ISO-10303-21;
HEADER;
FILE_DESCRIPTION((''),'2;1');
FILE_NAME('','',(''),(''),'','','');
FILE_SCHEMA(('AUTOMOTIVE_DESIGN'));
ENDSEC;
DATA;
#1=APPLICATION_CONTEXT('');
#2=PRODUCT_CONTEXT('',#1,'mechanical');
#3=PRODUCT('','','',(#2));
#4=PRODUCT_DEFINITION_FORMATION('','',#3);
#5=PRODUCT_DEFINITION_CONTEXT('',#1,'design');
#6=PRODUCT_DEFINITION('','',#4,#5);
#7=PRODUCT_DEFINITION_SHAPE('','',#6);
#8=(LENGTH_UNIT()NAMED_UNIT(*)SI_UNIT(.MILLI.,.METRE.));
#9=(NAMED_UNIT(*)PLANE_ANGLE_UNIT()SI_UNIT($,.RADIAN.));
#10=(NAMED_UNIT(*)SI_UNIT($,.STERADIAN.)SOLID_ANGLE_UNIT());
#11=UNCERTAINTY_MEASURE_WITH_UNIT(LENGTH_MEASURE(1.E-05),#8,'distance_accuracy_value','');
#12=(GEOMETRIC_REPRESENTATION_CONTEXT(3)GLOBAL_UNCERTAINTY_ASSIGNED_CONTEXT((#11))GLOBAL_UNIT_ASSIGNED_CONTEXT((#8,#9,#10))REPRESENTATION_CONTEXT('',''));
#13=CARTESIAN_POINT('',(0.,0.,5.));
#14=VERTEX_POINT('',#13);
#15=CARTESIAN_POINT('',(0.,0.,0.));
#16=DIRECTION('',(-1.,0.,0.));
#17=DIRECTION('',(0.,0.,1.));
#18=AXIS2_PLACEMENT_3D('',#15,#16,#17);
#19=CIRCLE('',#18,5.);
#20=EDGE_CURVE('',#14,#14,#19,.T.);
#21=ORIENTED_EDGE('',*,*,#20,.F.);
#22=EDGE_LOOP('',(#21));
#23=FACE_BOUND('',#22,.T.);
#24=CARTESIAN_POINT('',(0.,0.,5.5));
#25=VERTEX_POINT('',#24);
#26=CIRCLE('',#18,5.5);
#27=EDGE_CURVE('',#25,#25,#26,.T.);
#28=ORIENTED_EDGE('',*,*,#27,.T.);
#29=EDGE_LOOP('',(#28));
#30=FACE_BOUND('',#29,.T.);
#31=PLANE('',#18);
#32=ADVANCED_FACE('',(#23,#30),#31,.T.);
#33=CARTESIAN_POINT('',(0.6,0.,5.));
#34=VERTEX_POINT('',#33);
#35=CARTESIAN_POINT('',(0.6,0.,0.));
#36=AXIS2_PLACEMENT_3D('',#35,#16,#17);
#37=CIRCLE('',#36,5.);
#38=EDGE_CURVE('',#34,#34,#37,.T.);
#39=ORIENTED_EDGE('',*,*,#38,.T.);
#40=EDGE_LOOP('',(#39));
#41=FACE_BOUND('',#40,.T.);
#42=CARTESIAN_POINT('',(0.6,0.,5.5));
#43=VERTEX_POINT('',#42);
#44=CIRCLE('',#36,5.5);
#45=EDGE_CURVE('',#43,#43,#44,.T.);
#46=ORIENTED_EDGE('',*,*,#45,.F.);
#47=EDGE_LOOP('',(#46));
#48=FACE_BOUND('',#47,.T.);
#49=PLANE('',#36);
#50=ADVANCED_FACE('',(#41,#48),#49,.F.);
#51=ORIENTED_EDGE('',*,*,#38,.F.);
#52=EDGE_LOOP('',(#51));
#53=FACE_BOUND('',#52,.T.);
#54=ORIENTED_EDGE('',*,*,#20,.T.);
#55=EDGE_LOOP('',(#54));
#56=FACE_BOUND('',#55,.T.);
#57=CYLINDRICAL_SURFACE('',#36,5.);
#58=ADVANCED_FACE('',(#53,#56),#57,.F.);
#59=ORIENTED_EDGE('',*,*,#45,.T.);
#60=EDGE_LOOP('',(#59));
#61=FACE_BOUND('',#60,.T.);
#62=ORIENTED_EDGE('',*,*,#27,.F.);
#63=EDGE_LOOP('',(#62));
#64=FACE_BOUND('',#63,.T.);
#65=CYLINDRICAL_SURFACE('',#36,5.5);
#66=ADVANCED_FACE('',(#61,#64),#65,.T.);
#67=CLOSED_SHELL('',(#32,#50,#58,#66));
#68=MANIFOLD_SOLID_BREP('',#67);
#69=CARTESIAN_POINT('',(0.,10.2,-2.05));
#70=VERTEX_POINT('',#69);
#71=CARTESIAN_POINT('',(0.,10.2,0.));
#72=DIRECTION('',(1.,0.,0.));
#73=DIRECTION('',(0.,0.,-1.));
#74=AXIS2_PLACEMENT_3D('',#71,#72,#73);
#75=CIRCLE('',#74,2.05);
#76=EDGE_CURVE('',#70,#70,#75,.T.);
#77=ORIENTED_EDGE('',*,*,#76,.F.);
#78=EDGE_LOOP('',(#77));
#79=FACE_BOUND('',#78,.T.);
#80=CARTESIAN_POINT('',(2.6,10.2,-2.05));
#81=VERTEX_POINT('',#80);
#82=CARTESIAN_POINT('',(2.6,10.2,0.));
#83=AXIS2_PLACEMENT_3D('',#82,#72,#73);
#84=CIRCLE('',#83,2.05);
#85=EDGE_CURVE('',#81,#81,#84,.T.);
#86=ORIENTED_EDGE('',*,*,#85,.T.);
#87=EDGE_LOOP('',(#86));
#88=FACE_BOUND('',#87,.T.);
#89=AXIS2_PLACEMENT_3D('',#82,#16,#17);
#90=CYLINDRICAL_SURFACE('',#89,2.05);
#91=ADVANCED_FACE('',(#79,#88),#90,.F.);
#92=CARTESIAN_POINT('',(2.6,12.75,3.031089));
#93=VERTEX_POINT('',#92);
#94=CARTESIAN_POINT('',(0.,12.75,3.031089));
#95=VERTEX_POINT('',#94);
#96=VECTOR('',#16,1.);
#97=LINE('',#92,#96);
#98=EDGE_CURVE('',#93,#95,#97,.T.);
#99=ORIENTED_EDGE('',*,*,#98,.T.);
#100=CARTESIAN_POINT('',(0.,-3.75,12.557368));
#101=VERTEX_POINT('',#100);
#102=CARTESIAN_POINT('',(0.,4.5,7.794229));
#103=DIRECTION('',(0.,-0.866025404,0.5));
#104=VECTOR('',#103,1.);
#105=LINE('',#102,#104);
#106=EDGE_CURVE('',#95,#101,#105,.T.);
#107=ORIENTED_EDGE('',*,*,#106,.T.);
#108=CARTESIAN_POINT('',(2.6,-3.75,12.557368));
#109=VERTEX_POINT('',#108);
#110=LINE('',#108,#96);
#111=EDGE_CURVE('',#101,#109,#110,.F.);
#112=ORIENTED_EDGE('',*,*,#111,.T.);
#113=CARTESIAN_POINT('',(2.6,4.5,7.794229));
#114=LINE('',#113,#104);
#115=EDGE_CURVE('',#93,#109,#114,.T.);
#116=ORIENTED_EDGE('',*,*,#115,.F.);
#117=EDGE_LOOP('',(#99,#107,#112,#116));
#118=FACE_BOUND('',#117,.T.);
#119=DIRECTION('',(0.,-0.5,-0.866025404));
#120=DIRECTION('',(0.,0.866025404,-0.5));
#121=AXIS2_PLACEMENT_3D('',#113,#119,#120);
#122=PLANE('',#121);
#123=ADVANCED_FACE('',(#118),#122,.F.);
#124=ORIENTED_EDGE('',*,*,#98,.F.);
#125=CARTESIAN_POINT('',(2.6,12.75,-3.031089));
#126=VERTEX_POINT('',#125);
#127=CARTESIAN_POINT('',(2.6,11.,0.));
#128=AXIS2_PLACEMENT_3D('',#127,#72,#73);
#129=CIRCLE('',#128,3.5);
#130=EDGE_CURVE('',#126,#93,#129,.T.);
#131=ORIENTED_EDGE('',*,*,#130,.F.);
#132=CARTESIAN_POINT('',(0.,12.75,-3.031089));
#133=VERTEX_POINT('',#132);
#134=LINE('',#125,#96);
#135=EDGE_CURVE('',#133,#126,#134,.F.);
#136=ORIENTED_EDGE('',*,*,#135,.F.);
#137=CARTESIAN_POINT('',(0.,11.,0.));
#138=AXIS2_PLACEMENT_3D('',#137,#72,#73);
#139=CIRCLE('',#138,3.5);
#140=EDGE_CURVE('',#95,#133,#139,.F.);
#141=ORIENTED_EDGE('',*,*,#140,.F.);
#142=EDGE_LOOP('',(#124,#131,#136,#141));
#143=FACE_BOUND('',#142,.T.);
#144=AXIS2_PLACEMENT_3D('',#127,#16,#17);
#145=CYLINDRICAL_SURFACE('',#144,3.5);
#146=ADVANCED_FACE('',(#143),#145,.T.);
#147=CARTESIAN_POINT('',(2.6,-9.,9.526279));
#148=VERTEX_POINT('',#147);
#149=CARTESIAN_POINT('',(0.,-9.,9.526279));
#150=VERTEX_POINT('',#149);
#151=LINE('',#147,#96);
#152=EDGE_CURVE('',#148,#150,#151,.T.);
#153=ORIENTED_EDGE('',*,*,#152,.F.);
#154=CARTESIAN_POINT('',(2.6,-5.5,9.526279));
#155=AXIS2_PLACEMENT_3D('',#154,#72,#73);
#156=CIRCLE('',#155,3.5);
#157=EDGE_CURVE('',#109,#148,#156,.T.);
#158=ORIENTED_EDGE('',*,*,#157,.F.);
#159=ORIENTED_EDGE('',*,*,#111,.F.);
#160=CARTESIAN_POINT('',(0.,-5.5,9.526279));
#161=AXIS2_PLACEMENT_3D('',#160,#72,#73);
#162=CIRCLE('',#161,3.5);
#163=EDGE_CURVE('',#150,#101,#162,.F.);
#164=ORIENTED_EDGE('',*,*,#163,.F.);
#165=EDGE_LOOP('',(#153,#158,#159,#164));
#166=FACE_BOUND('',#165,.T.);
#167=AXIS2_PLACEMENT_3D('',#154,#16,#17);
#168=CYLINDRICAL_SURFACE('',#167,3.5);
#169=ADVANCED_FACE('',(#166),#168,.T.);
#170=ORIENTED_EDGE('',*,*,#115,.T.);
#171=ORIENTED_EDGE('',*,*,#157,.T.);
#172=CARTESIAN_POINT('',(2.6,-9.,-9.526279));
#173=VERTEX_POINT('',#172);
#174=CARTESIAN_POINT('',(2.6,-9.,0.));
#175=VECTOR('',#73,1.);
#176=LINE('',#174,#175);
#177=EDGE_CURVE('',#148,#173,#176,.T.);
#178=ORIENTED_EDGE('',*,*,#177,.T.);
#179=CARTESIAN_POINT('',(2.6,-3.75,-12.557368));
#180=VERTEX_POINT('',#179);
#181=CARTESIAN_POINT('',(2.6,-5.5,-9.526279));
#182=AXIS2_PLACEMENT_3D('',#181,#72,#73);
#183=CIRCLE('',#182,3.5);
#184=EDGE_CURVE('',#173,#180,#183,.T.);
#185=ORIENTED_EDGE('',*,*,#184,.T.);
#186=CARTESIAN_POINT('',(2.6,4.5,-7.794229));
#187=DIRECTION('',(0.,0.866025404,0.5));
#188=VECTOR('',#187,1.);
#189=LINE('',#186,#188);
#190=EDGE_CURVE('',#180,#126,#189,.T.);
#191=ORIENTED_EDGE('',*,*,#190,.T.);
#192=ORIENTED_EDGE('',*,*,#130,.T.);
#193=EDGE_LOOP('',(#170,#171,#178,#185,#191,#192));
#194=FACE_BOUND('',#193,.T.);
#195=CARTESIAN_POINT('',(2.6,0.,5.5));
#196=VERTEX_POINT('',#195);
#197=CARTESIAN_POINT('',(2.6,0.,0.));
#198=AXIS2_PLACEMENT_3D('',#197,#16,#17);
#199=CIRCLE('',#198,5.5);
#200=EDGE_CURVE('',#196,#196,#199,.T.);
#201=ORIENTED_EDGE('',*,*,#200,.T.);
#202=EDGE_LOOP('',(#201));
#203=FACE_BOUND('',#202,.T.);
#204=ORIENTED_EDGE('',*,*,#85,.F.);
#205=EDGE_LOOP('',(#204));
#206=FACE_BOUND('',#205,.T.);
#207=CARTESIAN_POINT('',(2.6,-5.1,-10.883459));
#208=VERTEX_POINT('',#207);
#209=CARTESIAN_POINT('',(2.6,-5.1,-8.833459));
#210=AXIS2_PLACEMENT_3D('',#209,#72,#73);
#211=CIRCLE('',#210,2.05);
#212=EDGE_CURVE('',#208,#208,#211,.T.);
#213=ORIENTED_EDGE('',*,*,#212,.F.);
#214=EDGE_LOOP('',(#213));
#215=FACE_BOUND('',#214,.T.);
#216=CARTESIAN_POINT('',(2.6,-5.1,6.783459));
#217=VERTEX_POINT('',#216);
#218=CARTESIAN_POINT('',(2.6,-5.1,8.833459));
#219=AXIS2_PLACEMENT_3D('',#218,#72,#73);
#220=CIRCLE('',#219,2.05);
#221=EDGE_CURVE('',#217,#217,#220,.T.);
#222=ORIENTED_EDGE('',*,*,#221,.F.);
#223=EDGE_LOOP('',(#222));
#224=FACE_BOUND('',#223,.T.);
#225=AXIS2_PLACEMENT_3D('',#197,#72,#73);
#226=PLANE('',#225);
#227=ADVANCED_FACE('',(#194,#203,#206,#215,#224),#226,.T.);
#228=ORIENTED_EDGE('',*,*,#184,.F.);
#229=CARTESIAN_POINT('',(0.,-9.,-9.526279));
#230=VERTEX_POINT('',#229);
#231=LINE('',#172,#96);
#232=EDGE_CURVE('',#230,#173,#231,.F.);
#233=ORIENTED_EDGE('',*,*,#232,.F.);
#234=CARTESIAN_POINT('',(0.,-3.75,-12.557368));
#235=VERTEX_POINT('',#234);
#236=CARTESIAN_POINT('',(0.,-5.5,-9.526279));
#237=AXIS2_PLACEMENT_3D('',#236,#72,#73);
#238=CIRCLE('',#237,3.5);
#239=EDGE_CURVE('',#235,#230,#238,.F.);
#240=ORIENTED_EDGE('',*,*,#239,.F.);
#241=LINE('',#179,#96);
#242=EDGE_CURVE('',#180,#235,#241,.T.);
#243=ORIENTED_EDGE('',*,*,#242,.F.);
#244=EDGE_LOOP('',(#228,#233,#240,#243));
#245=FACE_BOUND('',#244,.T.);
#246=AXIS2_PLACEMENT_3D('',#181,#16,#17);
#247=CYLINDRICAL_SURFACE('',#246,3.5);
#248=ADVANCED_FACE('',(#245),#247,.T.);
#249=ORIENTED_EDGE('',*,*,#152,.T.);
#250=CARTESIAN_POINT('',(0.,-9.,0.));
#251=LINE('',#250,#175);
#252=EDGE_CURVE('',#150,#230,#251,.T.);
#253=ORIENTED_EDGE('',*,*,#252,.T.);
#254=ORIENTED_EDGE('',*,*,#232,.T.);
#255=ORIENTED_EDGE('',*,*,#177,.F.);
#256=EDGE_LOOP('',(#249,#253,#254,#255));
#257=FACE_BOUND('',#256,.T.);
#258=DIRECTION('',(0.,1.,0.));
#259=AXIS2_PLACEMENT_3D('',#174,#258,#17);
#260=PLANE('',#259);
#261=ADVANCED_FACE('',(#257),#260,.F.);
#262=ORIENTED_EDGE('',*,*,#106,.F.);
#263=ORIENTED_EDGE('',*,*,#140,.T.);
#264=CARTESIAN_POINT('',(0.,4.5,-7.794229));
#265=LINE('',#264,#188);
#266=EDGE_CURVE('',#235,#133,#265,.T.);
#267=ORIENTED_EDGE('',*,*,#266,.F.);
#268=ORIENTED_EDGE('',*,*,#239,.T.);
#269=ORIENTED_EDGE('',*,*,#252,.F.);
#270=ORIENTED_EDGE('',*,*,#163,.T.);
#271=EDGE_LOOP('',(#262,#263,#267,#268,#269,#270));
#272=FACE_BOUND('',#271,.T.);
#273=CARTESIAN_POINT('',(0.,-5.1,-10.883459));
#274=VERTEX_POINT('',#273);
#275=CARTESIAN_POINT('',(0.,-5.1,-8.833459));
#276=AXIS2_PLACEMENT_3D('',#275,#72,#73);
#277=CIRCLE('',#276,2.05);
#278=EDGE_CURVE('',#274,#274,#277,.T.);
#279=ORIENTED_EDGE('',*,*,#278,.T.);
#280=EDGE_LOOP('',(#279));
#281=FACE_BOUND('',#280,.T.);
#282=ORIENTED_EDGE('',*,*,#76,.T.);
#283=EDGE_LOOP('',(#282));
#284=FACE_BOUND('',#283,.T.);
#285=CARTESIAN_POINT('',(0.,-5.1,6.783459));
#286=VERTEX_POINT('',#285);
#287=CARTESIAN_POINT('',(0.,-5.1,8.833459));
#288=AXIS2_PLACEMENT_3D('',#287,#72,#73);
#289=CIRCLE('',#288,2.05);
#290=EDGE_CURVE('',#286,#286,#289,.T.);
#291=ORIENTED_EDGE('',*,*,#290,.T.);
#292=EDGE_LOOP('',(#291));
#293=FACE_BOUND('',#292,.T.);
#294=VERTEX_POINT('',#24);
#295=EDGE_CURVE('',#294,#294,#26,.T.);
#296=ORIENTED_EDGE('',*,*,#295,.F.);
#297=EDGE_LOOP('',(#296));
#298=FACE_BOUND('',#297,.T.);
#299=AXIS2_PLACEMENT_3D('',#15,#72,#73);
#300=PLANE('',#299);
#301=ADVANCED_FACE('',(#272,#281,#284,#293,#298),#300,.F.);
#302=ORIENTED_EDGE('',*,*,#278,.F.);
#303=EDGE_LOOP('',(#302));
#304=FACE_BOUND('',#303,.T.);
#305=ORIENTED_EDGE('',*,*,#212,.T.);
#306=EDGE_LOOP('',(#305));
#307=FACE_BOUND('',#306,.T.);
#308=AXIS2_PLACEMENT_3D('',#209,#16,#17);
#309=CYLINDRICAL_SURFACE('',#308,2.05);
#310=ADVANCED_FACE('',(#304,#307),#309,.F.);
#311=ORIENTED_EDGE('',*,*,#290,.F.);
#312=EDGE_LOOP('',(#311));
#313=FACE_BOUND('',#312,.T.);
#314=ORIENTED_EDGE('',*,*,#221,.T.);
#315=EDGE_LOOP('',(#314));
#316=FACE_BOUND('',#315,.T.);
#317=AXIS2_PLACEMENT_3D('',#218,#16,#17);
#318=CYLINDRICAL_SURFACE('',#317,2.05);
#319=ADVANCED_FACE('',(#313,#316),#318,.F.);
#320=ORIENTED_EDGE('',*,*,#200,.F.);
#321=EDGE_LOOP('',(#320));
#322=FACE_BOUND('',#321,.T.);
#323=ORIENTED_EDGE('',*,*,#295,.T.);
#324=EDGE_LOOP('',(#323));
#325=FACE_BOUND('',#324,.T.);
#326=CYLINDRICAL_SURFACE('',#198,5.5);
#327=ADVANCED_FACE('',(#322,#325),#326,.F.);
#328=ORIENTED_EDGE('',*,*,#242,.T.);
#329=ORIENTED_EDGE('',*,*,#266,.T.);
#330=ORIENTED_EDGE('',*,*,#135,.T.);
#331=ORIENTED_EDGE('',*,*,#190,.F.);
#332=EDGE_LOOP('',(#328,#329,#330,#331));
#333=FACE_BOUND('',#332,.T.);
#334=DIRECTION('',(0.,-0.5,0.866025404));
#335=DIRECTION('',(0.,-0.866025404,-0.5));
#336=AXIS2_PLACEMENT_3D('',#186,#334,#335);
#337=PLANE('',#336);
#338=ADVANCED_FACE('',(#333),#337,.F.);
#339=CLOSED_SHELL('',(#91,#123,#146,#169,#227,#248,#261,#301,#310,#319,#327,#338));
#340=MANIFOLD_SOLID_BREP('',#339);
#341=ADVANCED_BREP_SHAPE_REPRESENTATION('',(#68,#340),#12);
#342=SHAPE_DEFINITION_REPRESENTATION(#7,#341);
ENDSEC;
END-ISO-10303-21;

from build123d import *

# Parameters (mm, degrees)
SKETCH_1_R          = 2.05
EXTRUDE_2_DEPTH     = 2.6
FILLET_1_R          = 3.5
SKETCH_4_R          = 5.5
CUT_EXTRUDE_1_DEPTH = 20.664535491
SKETCH_6_R          = 5.5
SKETCH_6_R_2        = 5
EXTRUDE_4_DEPTH     = 0.6


with BuildPart() as part:
    # 草图1 → 凸台-拉伸2 (new body)
    with BuildSketch(Plane(origin=(0, 0, 0), x_dir=(0, 0, -1), z_dir=(1, 0, 0))):
        Polygon((0, 18), (-15.588457268, -9), (15.588457268, -9), align=None)
        with Locations((0, 10.2)):
            Circle(SKETCH_1_R, mode=Mode.SUBTRACT)
        with Locations((8.833459119, -5.1)):
            Circle(SKETCH_1_R, mode=Mode.SUBTRACT)
        with Locations((-8.833459119, -5.1)):
            Circle(SKETCH_1_R, mode=Mode.SUBTRACT)
    extrude(amount=EXTRUDE_2_DEPTH)

    # 圆角1
    fillet_1_edges = [part.edges().sort_by_distance(p)[0] for p in [
        (1.3, 18, 0),
        (1.3, -9, -15.588457268),
        (1.3, -9, 15.588457268),
    ]]
    fillet(fillet_1_edges, radius=FILLET_1_R)

    # 草图4 → 切除-拉伸1 (cut, through all)
    with BuildSketch(Plane.ZY):
        Circle(SKETCH_4_R)
    extrude(amount=-CUT_EXTRUDE_1_DEPTH, mode=Mode.SUBTRACT)


with BuildPart() as body_2:
    # 草图6 → 凸台-拉伸4 (new body)
    with BuildSketch(Plane.ZY):
        Circle(SKETCH_6_R)
        Circle(SKETCH_6_R_2, mode=Mode.SUBTRACT)
    extrude(amount=-EXTRUDE_4_DEPTH)


solid = Compound([part.part, body_2.part])
